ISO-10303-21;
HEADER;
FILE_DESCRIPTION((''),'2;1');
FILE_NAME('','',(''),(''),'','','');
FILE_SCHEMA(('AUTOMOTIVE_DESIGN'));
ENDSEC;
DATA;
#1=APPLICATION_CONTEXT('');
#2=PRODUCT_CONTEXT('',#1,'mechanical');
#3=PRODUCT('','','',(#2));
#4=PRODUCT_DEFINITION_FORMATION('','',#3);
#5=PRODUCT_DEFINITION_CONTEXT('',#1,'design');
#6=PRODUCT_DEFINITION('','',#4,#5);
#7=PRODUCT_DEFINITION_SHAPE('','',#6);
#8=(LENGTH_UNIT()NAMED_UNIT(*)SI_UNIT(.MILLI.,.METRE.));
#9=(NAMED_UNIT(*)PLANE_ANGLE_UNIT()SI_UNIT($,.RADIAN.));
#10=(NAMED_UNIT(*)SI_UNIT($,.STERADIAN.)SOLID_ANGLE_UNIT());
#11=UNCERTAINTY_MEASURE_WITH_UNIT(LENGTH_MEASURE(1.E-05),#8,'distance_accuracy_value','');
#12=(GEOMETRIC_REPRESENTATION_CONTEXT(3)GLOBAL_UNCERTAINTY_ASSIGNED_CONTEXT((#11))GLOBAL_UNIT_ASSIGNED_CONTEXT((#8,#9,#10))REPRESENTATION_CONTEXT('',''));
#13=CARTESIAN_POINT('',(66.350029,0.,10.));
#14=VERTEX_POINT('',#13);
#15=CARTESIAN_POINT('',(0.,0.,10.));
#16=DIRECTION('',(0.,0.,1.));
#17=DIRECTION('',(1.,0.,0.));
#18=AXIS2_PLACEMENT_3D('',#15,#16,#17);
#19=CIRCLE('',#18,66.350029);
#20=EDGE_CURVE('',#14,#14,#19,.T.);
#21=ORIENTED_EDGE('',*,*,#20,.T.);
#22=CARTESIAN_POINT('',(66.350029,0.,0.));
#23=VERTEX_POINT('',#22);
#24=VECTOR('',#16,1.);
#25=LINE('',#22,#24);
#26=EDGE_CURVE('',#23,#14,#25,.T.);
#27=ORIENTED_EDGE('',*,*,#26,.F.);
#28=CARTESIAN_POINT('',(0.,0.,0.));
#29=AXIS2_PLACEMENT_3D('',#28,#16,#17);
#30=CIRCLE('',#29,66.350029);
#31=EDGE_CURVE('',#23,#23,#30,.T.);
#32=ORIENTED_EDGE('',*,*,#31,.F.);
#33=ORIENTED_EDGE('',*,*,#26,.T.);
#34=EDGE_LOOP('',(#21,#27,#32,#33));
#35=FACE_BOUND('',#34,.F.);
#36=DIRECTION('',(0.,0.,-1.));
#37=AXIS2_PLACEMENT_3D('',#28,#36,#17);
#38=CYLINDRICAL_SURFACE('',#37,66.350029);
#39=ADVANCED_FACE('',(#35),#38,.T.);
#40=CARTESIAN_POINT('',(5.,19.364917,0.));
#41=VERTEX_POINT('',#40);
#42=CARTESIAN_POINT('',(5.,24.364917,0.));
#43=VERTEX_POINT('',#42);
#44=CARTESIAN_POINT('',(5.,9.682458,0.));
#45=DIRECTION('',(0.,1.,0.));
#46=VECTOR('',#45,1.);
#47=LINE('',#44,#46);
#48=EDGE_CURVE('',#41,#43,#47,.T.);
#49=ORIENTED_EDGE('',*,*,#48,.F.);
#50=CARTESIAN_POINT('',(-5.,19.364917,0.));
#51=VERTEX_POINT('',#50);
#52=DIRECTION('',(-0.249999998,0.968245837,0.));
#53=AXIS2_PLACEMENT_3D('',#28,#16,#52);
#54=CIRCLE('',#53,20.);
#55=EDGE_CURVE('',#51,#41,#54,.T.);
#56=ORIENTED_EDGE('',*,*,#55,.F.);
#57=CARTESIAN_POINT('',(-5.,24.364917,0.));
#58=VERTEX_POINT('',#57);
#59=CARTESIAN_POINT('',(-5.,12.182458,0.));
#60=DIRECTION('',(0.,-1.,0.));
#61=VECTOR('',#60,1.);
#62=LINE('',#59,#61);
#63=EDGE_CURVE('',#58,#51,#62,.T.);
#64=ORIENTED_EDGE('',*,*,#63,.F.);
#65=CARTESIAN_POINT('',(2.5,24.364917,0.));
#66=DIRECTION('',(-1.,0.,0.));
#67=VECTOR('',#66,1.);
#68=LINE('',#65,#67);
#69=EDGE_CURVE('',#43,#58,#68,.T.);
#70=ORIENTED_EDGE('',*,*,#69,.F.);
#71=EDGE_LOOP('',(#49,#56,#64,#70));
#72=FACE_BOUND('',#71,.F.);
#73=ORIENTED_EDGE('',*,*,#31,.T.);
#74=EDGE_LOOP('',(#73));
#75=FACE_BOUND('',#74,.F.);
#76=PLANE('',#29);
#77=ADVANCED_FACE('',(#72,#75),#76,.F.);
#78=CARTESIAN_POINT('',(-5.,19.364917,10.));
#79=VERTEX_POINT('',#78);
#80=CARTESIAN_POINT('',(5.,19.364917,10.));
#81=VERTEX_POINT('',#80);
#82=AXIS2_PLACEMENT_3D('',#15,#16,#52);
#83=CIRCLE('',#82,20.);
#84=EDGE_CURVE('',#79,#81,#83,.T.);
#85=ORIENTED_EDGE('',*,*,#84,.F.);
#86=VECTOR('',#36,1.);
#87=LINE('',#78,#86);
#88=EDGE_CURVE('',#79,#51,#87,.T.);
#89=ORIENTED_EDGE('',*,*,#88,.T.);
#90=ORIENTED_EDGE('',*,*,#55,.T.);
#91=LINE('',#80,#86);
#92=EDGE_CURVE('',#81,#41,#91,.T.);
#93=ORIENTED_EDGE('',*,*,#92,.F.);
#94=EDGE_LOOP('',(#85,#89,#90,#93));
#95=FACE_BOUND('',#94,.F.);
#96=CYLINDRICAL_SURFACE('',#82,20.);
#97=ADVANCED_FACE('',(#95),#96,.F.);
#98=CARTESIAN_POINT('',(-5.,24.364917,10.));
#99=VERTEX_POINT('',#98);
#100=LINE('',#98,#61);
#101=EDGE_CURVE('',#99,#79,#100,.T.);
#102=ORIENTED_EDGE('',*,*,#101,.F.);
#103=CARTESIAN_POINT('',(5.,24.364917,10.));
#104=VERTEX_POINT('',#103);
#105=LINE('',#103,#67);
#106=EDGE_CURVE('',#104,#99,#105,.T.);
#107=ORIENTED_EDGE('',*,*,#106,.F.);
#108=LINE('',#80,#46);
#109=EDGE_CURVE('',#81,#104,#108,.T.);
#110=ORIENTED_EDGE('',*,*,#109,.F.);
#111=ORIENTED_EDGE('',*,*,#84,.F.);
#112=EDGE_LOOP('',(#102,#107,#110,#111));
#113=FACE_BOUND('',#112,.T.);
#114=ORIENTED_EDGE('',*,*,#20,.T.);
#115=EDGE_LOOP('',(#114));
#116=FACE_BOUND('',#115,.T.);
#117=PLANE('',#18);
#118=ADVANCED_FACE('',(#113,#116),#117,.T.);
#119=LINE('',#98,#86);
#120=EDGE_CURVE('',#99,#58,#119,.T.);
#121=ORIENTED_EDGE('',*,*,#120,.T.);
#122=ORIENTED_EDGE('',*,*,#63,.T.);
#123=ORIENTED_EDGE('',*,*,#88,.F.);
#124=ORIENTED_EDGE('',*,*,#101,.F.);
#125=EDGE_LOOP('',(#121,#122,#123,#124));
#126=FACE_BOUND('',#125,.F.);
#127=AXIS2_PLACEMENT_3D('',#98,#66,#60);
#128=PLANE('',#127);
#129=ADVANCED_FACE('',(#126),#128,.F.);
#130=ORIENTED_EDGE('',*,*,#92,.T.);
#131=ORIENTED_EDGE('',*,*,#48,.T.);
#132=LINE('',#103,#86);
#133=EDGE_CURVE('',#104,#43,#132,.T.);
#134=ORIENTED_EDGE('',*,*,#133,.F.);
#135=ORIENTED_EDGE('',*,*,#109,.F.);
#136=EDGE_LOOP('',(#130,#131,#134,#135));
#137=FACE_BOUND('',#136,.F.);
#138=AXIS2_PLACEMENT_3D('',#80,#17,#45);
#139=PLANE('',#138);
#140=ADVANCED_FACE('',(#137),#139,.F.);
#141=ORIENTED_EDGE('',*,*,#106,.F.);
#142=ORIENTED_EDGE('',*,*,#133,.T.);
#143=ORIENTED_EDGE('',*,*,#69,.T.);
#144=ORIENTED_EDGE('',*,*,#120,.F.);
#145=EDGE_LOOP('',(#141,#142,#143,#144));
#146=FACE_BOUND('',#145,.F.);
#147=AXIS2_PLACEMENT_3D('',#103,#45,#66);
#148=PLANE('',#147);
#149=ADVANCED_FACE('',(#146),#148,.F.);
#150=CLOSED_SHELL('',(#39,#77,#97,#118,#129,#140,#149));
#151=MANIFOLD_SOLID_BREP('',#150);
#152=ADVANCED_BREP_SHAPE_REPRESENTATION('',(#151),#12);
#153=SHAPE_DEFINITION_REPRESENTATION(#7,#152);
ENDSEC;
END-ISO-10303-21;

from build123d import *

# Parameters (mm, degrees)
SKETCH_R     = 66.350029
PAD_DEPTH    = 10
POCKET_DEPTH = 10.001


with BuildPart() as part:
    # Sketch → Pad (new body)
    with BuildSketch(Plane.XY):
        Circle(SKETCH_R)
    extrude(amount=PAD_DEPTH)

    # Sketch001 (on Face3 of Pad) → Pocket (cut, through all)
    with BuildSketch(Plane.XY.offset(10)):
        with BuildLine():
            ThreePointArc((-5, 19.364917), (0, -20), (5, 19.364917))
            Line((5, 19.364917), (5, 24.364917))
            Line((5, 24.364917), (-5, 24.364917))
            Line((-5, 24.364917), (-5, 19.364917))
        make_face()
    extrude(amount=-POCKET_DEPTH, mode=Mode.SUBTRACT)


solid = part.part
